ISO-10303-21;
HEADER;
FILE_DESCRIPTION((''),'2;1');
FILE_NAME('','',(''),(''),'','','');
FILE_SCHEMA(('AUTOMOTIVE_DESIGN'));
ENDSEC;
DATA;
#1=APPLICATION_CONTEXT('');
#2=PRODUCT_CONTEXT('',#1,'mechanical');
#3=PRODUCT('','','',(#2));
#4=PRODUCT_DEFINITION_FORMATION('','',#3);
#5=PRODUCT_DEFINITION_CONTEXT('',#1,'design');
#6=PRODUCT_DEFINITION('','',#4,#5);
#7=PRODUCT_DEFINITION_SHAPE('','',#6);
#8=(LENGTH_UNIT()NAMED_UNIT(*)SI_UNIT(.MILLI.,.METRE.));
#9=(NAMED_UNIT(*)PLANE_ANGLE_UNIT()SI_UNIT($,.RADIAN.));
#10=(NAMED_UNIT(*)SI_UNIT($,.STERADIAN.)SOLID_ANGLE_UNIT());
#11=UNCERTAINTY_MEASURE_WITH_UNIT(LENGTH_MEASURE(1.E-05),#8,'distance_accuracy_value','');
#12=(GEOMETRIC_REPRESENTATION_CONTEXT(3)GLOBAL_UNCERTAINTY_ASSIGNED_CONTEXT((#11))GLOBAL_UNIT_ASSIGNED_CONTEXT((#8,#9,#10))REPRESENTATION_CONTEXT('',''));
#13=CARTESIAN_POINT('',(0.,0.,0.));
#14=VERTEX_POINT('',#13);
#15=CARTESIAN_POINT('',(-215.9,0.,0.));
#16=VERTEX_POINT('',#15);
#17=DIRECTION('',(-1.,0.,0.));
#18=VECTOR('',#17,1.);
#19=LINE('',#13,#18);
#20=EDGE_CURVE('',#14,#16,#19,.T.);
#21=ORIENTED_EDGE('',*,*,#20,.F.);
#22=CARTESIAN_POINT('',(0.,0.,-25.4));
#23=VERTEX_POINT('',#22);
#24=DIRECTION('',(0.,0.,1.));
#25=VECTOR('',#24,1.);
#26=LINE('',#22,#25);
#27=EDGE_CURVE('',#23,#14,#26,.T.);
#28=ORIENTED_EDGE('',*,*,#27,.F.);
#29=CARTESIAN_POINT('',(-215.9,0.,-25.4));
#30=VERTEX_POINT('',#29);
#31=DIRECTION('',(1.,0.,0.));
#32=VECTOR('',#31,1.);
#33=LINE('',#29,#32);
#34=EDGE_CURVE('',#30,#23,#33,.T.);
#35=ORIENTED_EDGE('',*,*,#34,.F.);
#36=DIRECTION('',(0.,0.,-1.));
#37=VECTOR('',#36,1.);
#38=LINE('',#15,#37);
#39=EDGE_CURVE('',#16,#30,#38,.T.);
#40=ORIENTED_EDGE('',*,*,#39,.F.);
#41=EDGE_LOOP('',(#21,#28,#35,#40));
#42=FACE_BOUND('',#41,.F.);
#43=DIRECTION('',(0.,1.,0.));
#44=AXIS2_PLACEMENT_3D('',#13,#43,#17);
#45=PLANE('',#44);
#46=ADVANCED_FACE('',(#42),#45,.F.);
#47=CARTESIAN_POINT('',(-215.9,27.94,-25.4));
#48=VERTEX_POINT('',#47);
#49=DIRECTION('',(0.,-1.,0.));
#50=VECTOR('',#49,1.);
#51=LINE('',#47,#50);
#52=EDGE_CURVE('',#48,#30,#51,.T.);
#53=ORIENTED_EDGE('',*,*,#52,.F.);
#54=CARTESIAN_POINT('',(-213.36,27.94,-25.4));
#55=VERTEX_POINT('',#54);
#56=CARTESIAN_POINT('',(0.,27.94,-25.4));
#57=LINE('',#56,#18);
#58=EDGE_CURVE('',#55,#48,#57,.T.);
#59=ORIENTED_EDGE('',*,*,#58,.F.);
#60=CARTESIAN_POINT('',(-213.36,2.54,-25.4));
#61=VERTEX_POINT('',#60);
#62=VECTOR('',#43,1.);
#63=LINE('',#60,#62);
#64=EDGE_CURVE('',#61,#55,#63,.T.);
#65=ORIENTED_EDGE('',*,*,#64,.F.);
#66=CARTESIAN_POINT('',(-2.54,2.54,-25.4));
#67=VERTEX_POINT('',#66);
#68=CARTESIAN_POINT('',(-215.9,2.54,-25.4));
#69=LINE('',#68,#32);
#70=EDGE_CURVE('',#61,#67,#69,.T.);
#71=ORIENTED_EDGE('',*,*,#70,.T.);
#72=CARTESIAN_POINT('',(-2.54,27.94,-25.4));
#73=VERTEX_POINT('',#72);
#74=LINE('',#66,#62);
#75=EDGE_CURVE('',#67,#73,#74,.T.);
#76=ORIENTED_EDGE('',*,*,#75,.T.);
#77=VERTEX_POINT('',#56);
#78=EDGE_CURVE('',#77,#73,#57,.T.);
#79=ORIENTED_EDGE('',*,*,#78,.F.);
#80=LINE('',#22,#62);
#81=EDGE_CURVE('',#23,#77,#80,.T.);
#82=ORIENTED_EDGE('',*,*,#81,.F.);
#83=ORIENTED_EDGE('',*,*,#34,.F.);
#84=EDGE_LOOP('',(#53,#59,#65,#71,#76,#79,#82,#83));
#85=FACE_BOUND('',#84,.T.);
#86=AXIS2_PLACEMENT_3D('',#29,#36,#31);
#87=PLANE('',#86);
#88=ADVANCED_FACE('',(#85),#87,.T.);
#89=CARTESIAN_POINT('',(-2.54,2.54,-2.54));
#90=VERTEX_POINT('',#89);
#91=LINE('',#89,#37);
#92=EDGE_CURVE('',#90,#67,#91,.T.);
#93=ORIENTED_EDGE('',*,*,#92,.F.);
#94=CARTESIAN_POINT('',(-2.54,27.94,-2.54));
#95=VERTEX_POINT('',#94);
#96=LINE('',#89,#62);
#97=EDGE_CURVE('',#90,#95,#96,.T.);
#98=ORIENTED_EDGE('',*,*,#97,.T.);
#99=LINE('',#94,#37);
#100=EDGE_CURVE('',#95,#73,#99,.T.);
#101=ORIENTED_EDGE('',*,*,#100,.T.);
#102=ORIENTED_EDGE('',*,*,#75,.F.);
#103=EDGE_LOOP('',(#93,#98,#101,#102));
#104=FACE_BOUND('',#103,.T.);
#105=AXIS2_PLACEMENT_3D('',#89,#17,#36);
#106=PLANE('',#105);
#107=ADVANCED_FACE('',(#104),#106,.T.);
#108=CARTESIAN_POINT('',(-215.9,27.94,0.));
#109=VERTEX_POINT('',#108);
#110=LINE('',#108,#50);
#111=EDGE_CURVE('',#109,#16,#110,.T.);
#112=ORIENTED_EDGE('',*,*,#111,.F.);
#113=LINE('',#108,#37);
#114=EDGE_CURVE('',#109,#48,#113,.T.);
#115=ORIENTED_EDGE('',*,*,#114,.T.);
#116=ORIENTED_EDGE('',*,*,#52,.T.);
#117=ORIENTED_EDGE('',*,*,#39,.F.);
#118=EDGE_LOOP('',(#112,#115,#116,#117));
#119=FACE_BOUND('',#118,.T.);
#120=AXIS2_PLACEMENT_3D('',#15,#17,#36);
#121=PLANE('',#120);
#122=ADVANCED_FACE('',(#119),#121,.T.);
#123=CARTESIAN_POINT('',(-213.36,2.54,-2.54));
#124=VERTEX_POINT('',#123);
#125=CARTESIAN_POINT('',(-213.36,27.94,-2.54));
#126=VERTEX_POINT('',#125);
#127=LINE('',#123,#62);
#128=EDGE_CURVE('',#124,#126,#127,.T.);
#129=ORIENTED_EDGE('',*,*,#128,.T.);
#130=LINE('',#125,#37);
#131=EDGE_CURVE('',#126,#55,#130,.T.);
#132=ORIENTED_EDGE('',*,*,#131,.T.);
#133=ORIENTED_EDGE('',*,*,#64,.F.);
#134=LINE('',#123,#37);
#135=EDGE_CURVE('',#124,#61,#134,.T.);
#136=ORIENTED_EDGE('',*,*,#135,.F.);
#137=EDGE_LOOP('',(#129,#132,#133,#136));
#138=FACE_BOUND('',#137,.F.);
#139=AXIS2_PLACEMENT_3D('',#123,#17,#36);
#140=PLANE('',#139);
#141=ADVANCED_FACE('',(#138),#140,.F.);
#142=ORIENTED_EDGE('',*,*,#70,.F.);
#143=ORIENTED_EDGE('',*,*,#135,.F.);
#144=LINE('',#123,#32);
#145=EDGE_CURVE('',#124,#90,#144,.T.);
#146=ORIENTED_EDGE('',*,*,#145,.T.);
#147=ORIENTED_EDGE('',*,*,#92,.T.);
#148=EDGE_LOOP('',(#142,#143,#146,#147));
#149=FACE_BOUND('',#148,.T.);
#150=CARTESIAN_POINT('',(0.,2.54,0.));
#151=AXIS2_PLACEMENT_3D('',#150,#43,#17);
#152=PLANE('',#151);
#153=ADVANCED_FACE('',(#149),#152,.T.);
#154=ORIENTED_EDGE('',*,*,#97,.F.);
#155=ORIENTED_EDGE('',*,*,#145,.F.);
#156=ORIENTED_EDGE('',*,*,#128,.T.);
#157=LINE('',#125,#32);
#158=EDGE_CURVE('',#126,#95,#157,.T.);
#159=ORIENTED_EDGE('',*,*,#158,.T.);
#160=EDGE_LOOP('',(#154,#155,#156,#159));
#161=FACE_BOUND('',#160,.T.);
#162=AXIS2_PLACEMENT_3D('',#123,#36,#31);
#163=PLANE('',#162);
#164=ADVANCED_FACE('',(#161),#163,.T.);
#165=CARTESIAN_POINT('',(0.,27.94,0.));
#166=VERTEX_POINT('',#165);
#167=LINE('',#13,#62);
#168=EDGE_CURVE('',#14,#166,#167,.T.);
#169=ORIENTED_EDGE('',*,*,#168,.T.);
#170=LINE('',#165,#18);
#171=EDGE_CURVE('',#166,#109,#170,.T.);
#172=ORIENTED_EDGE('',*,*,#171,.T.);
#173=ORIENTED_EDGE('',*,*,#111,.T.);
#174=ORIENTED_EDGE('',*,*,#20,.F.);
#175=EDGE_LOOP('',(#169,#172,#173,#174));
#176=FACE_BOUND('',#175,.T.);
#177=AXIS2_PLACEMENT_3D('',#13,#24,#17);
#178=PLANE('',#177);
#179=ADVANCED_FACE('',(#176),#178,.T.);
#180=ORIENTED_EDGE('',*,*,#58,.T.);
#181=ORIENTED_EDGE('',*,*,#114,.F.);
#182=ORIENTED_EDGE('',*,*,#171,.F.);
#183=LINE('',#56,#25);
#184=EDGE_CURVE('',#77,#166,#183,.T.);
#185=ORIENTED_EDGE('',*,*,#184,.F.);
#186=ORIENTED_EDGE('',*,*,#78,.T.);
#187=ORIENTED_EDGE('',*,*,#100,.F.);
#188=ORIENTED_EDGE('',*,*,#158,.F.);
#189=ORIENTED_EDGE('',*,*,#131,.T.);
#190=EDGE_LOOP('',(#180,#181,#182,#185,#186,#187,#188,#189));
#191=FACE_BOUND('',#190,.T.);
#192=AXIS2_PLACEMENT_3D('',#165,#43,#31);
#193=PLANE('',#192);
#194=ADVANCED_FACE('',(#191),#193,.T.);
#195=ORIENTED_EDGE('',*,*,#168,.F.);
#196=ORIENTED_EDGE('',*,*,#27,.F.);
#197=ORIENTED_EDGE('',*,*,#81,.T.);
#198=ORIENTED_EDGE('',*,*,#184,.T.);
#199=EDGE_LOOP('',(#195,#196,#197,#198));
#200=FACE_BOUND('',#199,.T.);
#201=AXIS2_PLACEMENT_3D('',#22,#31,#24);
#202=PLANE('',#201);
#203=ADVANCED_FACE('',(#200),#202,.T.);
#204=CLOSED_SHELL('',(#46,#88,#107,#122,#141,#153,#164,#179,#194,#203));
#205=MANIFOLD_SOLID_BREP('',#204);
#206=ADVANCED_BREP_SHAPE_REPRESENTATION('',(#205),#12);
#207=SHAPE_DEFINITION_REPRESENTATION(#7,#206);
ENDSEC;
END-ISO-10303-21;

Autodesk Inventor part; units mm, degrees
ref_plane "YZ Plane" through (0, 0, 0) normal (1, 0, 0) x (0, 1, 0)
ref_plane "XZ Plane" through (0, 0, 0) normal (0, 1, 0) x (-1, 0, 0)
ref_plane "XY Plane" through (0, 0, 0) normal (0, 0, 1) x (1, 0, 0)
sketch "Sketch1" plane through (0, 0, 0) normal (0, 1, 0) x (-1, 0, 0)
  line L0 (0, 0) -> (215.9, 0)
  line L1 (215.9, 0) -> (215.9, -25.4)
  line L2 (215.9, -25.4) -> (0, -25.4)
  line L3 (0, -25.4) -> (0, 0)
  dimension "d0" = 215.9
  dimension "d1" = 25.4
extrude "Extrusion1" add sketch "Sketch1" along normal blind 2.54
sketch "Sketch2" plane through (0, 2.54, 0) normal (0, 1, 0) x (1, 0, 0)
  line L0 (0, 0) -> (0, 25.4) projected
  line L1 (0, 25.4) -> (-215.9, 25.4) projected
  line L2 (0, 0) -> (-2.54, 0)
  line L3 (-2.54, 2.54) -> (-2.54, 25.4)
  line L4 (-2.54, 25.4) -> (0, 25.4)
  line L5 (0, 25.4) -> (0, 0)
  line L6 (-215.9, 25.4) -> (-215.9, 0) projected
  line L7 (0, 0) -> (-215.9, 0)
  line L8 (-215.9, 0) -> (-215.9, 2.54)
  line L9 (-213.36, 2.54) -> (-2.54, 2.54)
  line L10 (0, 2.54) -> (0, 0)
  line L11 (-215.9, 0) -> (0, 0) projected
  line L12 (-215.9, 0) -> (-213.36, 0)
  line L13 (-213.36, 2.54) -> (-213.36, 25.4)
  line L14 (-213.36, 25.4) -> (-215.9, 25.4)
  line L15 (-215.9, 25.4) -> (-215.9, 0)
  dimension "d4" = 2.54
  dimension "d5" = 2.54
  dimension "d6" = 2.54
extrude "Extrusion2" add sketch "Sketch2" along normal blind 25.4 contours L2 L7 L6 L1 L13 L9 L3 L0
properties part number "batterymount" material "UHMW, Black"
